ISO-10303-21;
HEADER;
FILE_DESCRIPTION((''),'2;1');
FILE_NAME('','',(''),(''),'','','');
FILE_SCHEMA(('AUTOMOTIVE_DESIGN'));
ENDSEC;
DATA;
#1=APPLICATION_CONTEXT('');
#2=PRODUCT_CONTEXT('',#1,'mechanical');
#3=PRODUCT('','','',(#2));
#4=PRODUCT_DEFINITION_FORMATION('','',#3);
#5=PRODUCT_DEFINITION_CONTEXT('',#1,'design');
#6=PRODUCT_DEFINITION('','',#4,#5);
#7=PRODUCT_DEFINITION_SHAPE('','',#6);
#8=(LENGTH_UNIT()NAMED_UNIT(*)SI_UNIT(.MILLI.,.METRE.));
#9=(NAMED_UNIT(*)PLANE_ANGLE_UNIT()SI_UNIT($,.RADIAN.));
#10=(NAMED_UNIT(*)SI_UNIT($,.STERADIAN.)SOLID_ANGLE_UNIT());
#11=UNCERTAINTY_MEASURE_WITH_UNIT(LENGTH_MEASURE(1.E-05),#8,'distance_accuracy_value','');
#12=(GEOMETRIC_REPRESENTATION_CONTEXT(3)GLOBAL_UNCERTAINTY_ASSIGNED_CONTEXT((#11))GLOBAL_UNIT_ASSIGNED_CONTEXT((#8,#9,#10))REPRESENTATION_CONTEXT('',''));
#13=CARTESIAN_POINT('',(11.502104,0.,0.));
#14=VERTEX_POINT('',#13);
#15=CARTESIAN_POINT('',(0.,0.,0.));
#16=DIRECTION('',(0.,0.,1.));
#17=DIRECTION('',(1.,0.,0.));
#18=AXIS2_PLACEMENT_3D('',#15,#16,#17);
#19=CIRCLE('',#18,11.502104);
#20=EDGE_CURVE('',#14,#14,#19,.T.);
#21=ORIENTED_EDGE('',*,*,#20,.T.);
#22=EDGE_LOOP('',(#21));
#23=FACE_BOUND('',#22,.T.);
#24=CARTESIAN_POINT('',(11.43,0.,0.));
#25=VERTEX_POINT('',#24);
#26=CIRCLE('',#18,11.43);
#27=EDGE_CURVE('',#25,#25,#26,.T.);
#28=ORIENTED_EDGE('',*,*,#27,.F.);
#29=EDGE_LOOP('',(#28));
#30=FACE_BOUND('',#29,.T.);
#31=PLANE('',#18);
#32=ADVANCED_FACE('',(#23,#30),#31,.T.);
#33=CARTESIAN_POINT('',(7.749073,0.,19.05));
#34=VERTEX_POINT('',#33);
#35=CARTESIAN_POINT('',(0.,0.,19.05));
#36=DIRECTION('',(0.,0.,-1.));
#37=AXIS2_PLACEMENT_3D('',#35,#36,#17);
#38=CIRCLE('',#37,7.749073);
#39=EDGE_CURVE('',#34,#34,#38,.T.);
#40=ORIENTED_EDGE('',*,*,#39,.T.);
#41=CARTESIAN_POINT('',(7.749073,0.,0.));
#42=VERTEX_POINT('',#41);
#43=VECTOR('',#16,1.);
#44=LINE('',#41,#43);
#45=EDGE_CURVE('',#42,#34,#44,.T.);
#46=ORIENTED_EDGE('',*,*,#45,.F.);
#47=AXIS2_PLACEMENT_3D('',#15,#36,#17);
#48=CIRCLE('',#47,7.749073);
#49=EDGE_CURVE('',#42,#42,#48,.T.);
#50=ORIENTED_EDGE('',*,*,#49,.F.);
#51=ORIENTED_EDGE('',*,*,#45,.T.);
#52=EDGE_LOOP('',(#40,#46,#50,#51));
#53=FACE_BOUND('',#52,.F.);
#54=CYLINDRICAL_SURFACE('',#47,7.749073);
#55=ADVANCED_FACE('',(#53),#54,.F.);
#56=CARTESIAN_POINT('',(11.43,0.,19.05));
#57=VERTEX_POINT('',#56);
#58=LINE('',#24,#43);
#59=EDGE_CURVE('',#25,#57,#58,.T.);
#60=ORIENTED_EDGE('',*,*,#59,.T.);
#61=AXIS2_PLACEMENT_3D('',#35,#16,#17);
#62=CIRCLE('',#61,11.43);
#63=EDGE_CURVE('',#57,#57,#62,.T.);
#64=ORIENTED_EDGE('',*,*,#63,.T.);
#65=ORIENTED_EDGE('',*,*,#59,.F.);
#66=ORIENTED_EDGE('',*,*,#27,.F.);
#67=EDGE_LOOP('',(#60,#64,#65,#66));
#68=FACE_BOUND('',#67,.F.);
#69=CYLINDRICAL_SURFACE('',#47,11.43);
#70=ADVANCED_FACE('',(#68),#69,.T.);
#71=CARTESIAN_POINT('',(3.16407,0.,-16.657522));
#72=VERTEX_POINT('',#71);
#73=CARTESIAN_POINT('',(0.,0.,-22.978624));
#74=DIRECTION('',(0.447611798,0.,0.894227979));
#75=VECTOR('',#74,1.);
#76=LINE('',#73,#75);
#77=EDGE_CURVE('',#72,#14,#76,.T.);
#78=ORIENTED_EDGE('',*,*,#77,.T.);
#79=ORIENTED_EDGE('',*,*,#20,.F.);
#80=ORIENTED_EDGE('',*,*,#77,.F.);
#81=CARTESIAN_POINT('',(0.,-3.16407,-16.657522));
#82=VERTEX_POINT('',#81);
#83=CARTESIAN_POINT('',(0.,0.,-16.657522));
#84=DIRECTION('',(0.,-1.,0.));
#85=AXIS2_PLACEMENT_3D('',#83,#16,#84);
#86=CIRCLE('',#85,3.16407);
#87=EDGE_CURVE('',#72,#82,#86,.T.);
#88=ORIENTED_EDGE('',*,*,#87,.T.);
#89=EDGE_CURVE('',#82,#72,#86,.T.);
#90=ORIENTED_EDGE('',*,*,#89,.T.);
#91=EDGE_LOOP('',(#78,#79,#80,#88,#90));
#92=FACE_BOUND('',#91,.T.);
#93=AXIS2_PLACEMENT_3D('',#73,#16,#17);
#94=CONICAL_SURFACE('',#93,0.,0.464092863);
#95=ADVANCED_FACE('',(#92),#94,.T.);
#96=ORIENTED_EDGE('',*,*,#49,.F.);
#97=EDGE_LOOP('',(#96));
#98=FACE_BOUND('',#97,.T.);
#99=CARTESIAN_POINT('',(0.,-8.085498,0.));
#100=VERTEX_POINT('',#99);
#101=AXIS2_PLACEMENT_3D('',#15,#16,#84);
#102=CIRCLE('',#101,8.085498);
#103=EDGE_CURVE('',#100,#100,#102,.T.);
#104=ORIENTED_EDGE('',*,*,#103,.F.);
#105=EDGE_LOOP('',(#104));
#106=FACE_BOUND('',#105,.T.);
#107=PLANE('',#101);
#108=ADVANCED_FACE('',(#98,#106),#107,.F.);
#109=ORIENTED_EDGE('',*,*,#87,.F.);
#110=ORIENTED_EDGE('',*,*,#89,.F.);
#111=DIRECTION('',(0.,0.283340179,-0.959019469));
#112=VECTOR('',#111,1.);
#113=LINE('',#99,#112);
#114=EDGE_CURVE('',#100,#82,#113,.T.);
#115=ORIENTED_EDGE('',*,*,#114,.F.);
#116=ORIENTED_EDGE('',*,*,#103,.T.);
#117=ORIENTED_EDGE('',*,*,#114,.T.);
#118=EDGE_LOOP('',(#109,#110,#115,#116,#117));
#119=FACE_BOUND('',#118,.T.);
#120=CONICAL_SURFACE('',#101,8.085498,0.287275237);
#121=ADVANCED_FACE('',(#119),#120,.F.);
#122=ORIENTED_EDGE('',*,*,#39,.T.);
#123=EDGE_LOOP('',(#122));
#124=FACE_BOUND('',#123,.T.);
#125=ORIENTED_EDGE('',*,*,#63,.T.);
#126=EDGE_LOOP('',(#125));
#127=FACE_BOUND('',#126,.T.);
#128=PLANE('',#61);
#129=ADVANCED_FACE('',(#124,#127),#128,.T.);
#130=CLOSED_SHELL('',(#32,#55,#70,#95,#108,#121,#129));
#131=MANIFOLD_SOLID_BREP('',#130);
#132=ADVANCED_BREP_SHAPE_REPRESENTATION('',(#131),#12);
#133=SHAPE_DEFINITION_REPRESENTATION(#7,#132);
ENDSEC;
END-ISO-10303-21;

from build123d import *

# Parameters (mm, degrees)
F0_R     = 11.43
F1_DEPTH = 19.05
F2_R     = 7.749073
F3_DEPTH = 19.05


with BuildPart() as f1:
    # F0 (on Top) → F1 (new body)
    with BuildSketch(Plane.XY):
        Circle(F0_R)
    extrude(amount=F1_DEPTH)

    # F2 (on face) → F3 (cut)
    with BuildSketch(Plane(origin=(0, 0, 0), x_dir=(1, 0, 0), z_dir=(0, 0, -1))):
        Circle(F2_R)
    extrude(amount=-F3_DEPTH, mode=Mode.SUBTRACT)

    # F4 (on Front) → F5 (revolve)
    with BuildSketch(Plane.XZ):
        Polygon((0, -22.978624), (11.502104, 0), (0, 0), align=None)
    revolve(axis=Axis((0, 0, -11.489312), (0, 0, 1)))

    # F6 (on Right) → F7 (revolve, cut)
    with BuildSketch(Plane.YZ):
        Polygon((0, 0), (-8.085498, 0), (0, -27.366927), align=None)
    revolve(axis=Axis((0, 0, -13.683463), (0, 0, 1)), mode=Mode.SUBTRACT)


solid = f1.part
